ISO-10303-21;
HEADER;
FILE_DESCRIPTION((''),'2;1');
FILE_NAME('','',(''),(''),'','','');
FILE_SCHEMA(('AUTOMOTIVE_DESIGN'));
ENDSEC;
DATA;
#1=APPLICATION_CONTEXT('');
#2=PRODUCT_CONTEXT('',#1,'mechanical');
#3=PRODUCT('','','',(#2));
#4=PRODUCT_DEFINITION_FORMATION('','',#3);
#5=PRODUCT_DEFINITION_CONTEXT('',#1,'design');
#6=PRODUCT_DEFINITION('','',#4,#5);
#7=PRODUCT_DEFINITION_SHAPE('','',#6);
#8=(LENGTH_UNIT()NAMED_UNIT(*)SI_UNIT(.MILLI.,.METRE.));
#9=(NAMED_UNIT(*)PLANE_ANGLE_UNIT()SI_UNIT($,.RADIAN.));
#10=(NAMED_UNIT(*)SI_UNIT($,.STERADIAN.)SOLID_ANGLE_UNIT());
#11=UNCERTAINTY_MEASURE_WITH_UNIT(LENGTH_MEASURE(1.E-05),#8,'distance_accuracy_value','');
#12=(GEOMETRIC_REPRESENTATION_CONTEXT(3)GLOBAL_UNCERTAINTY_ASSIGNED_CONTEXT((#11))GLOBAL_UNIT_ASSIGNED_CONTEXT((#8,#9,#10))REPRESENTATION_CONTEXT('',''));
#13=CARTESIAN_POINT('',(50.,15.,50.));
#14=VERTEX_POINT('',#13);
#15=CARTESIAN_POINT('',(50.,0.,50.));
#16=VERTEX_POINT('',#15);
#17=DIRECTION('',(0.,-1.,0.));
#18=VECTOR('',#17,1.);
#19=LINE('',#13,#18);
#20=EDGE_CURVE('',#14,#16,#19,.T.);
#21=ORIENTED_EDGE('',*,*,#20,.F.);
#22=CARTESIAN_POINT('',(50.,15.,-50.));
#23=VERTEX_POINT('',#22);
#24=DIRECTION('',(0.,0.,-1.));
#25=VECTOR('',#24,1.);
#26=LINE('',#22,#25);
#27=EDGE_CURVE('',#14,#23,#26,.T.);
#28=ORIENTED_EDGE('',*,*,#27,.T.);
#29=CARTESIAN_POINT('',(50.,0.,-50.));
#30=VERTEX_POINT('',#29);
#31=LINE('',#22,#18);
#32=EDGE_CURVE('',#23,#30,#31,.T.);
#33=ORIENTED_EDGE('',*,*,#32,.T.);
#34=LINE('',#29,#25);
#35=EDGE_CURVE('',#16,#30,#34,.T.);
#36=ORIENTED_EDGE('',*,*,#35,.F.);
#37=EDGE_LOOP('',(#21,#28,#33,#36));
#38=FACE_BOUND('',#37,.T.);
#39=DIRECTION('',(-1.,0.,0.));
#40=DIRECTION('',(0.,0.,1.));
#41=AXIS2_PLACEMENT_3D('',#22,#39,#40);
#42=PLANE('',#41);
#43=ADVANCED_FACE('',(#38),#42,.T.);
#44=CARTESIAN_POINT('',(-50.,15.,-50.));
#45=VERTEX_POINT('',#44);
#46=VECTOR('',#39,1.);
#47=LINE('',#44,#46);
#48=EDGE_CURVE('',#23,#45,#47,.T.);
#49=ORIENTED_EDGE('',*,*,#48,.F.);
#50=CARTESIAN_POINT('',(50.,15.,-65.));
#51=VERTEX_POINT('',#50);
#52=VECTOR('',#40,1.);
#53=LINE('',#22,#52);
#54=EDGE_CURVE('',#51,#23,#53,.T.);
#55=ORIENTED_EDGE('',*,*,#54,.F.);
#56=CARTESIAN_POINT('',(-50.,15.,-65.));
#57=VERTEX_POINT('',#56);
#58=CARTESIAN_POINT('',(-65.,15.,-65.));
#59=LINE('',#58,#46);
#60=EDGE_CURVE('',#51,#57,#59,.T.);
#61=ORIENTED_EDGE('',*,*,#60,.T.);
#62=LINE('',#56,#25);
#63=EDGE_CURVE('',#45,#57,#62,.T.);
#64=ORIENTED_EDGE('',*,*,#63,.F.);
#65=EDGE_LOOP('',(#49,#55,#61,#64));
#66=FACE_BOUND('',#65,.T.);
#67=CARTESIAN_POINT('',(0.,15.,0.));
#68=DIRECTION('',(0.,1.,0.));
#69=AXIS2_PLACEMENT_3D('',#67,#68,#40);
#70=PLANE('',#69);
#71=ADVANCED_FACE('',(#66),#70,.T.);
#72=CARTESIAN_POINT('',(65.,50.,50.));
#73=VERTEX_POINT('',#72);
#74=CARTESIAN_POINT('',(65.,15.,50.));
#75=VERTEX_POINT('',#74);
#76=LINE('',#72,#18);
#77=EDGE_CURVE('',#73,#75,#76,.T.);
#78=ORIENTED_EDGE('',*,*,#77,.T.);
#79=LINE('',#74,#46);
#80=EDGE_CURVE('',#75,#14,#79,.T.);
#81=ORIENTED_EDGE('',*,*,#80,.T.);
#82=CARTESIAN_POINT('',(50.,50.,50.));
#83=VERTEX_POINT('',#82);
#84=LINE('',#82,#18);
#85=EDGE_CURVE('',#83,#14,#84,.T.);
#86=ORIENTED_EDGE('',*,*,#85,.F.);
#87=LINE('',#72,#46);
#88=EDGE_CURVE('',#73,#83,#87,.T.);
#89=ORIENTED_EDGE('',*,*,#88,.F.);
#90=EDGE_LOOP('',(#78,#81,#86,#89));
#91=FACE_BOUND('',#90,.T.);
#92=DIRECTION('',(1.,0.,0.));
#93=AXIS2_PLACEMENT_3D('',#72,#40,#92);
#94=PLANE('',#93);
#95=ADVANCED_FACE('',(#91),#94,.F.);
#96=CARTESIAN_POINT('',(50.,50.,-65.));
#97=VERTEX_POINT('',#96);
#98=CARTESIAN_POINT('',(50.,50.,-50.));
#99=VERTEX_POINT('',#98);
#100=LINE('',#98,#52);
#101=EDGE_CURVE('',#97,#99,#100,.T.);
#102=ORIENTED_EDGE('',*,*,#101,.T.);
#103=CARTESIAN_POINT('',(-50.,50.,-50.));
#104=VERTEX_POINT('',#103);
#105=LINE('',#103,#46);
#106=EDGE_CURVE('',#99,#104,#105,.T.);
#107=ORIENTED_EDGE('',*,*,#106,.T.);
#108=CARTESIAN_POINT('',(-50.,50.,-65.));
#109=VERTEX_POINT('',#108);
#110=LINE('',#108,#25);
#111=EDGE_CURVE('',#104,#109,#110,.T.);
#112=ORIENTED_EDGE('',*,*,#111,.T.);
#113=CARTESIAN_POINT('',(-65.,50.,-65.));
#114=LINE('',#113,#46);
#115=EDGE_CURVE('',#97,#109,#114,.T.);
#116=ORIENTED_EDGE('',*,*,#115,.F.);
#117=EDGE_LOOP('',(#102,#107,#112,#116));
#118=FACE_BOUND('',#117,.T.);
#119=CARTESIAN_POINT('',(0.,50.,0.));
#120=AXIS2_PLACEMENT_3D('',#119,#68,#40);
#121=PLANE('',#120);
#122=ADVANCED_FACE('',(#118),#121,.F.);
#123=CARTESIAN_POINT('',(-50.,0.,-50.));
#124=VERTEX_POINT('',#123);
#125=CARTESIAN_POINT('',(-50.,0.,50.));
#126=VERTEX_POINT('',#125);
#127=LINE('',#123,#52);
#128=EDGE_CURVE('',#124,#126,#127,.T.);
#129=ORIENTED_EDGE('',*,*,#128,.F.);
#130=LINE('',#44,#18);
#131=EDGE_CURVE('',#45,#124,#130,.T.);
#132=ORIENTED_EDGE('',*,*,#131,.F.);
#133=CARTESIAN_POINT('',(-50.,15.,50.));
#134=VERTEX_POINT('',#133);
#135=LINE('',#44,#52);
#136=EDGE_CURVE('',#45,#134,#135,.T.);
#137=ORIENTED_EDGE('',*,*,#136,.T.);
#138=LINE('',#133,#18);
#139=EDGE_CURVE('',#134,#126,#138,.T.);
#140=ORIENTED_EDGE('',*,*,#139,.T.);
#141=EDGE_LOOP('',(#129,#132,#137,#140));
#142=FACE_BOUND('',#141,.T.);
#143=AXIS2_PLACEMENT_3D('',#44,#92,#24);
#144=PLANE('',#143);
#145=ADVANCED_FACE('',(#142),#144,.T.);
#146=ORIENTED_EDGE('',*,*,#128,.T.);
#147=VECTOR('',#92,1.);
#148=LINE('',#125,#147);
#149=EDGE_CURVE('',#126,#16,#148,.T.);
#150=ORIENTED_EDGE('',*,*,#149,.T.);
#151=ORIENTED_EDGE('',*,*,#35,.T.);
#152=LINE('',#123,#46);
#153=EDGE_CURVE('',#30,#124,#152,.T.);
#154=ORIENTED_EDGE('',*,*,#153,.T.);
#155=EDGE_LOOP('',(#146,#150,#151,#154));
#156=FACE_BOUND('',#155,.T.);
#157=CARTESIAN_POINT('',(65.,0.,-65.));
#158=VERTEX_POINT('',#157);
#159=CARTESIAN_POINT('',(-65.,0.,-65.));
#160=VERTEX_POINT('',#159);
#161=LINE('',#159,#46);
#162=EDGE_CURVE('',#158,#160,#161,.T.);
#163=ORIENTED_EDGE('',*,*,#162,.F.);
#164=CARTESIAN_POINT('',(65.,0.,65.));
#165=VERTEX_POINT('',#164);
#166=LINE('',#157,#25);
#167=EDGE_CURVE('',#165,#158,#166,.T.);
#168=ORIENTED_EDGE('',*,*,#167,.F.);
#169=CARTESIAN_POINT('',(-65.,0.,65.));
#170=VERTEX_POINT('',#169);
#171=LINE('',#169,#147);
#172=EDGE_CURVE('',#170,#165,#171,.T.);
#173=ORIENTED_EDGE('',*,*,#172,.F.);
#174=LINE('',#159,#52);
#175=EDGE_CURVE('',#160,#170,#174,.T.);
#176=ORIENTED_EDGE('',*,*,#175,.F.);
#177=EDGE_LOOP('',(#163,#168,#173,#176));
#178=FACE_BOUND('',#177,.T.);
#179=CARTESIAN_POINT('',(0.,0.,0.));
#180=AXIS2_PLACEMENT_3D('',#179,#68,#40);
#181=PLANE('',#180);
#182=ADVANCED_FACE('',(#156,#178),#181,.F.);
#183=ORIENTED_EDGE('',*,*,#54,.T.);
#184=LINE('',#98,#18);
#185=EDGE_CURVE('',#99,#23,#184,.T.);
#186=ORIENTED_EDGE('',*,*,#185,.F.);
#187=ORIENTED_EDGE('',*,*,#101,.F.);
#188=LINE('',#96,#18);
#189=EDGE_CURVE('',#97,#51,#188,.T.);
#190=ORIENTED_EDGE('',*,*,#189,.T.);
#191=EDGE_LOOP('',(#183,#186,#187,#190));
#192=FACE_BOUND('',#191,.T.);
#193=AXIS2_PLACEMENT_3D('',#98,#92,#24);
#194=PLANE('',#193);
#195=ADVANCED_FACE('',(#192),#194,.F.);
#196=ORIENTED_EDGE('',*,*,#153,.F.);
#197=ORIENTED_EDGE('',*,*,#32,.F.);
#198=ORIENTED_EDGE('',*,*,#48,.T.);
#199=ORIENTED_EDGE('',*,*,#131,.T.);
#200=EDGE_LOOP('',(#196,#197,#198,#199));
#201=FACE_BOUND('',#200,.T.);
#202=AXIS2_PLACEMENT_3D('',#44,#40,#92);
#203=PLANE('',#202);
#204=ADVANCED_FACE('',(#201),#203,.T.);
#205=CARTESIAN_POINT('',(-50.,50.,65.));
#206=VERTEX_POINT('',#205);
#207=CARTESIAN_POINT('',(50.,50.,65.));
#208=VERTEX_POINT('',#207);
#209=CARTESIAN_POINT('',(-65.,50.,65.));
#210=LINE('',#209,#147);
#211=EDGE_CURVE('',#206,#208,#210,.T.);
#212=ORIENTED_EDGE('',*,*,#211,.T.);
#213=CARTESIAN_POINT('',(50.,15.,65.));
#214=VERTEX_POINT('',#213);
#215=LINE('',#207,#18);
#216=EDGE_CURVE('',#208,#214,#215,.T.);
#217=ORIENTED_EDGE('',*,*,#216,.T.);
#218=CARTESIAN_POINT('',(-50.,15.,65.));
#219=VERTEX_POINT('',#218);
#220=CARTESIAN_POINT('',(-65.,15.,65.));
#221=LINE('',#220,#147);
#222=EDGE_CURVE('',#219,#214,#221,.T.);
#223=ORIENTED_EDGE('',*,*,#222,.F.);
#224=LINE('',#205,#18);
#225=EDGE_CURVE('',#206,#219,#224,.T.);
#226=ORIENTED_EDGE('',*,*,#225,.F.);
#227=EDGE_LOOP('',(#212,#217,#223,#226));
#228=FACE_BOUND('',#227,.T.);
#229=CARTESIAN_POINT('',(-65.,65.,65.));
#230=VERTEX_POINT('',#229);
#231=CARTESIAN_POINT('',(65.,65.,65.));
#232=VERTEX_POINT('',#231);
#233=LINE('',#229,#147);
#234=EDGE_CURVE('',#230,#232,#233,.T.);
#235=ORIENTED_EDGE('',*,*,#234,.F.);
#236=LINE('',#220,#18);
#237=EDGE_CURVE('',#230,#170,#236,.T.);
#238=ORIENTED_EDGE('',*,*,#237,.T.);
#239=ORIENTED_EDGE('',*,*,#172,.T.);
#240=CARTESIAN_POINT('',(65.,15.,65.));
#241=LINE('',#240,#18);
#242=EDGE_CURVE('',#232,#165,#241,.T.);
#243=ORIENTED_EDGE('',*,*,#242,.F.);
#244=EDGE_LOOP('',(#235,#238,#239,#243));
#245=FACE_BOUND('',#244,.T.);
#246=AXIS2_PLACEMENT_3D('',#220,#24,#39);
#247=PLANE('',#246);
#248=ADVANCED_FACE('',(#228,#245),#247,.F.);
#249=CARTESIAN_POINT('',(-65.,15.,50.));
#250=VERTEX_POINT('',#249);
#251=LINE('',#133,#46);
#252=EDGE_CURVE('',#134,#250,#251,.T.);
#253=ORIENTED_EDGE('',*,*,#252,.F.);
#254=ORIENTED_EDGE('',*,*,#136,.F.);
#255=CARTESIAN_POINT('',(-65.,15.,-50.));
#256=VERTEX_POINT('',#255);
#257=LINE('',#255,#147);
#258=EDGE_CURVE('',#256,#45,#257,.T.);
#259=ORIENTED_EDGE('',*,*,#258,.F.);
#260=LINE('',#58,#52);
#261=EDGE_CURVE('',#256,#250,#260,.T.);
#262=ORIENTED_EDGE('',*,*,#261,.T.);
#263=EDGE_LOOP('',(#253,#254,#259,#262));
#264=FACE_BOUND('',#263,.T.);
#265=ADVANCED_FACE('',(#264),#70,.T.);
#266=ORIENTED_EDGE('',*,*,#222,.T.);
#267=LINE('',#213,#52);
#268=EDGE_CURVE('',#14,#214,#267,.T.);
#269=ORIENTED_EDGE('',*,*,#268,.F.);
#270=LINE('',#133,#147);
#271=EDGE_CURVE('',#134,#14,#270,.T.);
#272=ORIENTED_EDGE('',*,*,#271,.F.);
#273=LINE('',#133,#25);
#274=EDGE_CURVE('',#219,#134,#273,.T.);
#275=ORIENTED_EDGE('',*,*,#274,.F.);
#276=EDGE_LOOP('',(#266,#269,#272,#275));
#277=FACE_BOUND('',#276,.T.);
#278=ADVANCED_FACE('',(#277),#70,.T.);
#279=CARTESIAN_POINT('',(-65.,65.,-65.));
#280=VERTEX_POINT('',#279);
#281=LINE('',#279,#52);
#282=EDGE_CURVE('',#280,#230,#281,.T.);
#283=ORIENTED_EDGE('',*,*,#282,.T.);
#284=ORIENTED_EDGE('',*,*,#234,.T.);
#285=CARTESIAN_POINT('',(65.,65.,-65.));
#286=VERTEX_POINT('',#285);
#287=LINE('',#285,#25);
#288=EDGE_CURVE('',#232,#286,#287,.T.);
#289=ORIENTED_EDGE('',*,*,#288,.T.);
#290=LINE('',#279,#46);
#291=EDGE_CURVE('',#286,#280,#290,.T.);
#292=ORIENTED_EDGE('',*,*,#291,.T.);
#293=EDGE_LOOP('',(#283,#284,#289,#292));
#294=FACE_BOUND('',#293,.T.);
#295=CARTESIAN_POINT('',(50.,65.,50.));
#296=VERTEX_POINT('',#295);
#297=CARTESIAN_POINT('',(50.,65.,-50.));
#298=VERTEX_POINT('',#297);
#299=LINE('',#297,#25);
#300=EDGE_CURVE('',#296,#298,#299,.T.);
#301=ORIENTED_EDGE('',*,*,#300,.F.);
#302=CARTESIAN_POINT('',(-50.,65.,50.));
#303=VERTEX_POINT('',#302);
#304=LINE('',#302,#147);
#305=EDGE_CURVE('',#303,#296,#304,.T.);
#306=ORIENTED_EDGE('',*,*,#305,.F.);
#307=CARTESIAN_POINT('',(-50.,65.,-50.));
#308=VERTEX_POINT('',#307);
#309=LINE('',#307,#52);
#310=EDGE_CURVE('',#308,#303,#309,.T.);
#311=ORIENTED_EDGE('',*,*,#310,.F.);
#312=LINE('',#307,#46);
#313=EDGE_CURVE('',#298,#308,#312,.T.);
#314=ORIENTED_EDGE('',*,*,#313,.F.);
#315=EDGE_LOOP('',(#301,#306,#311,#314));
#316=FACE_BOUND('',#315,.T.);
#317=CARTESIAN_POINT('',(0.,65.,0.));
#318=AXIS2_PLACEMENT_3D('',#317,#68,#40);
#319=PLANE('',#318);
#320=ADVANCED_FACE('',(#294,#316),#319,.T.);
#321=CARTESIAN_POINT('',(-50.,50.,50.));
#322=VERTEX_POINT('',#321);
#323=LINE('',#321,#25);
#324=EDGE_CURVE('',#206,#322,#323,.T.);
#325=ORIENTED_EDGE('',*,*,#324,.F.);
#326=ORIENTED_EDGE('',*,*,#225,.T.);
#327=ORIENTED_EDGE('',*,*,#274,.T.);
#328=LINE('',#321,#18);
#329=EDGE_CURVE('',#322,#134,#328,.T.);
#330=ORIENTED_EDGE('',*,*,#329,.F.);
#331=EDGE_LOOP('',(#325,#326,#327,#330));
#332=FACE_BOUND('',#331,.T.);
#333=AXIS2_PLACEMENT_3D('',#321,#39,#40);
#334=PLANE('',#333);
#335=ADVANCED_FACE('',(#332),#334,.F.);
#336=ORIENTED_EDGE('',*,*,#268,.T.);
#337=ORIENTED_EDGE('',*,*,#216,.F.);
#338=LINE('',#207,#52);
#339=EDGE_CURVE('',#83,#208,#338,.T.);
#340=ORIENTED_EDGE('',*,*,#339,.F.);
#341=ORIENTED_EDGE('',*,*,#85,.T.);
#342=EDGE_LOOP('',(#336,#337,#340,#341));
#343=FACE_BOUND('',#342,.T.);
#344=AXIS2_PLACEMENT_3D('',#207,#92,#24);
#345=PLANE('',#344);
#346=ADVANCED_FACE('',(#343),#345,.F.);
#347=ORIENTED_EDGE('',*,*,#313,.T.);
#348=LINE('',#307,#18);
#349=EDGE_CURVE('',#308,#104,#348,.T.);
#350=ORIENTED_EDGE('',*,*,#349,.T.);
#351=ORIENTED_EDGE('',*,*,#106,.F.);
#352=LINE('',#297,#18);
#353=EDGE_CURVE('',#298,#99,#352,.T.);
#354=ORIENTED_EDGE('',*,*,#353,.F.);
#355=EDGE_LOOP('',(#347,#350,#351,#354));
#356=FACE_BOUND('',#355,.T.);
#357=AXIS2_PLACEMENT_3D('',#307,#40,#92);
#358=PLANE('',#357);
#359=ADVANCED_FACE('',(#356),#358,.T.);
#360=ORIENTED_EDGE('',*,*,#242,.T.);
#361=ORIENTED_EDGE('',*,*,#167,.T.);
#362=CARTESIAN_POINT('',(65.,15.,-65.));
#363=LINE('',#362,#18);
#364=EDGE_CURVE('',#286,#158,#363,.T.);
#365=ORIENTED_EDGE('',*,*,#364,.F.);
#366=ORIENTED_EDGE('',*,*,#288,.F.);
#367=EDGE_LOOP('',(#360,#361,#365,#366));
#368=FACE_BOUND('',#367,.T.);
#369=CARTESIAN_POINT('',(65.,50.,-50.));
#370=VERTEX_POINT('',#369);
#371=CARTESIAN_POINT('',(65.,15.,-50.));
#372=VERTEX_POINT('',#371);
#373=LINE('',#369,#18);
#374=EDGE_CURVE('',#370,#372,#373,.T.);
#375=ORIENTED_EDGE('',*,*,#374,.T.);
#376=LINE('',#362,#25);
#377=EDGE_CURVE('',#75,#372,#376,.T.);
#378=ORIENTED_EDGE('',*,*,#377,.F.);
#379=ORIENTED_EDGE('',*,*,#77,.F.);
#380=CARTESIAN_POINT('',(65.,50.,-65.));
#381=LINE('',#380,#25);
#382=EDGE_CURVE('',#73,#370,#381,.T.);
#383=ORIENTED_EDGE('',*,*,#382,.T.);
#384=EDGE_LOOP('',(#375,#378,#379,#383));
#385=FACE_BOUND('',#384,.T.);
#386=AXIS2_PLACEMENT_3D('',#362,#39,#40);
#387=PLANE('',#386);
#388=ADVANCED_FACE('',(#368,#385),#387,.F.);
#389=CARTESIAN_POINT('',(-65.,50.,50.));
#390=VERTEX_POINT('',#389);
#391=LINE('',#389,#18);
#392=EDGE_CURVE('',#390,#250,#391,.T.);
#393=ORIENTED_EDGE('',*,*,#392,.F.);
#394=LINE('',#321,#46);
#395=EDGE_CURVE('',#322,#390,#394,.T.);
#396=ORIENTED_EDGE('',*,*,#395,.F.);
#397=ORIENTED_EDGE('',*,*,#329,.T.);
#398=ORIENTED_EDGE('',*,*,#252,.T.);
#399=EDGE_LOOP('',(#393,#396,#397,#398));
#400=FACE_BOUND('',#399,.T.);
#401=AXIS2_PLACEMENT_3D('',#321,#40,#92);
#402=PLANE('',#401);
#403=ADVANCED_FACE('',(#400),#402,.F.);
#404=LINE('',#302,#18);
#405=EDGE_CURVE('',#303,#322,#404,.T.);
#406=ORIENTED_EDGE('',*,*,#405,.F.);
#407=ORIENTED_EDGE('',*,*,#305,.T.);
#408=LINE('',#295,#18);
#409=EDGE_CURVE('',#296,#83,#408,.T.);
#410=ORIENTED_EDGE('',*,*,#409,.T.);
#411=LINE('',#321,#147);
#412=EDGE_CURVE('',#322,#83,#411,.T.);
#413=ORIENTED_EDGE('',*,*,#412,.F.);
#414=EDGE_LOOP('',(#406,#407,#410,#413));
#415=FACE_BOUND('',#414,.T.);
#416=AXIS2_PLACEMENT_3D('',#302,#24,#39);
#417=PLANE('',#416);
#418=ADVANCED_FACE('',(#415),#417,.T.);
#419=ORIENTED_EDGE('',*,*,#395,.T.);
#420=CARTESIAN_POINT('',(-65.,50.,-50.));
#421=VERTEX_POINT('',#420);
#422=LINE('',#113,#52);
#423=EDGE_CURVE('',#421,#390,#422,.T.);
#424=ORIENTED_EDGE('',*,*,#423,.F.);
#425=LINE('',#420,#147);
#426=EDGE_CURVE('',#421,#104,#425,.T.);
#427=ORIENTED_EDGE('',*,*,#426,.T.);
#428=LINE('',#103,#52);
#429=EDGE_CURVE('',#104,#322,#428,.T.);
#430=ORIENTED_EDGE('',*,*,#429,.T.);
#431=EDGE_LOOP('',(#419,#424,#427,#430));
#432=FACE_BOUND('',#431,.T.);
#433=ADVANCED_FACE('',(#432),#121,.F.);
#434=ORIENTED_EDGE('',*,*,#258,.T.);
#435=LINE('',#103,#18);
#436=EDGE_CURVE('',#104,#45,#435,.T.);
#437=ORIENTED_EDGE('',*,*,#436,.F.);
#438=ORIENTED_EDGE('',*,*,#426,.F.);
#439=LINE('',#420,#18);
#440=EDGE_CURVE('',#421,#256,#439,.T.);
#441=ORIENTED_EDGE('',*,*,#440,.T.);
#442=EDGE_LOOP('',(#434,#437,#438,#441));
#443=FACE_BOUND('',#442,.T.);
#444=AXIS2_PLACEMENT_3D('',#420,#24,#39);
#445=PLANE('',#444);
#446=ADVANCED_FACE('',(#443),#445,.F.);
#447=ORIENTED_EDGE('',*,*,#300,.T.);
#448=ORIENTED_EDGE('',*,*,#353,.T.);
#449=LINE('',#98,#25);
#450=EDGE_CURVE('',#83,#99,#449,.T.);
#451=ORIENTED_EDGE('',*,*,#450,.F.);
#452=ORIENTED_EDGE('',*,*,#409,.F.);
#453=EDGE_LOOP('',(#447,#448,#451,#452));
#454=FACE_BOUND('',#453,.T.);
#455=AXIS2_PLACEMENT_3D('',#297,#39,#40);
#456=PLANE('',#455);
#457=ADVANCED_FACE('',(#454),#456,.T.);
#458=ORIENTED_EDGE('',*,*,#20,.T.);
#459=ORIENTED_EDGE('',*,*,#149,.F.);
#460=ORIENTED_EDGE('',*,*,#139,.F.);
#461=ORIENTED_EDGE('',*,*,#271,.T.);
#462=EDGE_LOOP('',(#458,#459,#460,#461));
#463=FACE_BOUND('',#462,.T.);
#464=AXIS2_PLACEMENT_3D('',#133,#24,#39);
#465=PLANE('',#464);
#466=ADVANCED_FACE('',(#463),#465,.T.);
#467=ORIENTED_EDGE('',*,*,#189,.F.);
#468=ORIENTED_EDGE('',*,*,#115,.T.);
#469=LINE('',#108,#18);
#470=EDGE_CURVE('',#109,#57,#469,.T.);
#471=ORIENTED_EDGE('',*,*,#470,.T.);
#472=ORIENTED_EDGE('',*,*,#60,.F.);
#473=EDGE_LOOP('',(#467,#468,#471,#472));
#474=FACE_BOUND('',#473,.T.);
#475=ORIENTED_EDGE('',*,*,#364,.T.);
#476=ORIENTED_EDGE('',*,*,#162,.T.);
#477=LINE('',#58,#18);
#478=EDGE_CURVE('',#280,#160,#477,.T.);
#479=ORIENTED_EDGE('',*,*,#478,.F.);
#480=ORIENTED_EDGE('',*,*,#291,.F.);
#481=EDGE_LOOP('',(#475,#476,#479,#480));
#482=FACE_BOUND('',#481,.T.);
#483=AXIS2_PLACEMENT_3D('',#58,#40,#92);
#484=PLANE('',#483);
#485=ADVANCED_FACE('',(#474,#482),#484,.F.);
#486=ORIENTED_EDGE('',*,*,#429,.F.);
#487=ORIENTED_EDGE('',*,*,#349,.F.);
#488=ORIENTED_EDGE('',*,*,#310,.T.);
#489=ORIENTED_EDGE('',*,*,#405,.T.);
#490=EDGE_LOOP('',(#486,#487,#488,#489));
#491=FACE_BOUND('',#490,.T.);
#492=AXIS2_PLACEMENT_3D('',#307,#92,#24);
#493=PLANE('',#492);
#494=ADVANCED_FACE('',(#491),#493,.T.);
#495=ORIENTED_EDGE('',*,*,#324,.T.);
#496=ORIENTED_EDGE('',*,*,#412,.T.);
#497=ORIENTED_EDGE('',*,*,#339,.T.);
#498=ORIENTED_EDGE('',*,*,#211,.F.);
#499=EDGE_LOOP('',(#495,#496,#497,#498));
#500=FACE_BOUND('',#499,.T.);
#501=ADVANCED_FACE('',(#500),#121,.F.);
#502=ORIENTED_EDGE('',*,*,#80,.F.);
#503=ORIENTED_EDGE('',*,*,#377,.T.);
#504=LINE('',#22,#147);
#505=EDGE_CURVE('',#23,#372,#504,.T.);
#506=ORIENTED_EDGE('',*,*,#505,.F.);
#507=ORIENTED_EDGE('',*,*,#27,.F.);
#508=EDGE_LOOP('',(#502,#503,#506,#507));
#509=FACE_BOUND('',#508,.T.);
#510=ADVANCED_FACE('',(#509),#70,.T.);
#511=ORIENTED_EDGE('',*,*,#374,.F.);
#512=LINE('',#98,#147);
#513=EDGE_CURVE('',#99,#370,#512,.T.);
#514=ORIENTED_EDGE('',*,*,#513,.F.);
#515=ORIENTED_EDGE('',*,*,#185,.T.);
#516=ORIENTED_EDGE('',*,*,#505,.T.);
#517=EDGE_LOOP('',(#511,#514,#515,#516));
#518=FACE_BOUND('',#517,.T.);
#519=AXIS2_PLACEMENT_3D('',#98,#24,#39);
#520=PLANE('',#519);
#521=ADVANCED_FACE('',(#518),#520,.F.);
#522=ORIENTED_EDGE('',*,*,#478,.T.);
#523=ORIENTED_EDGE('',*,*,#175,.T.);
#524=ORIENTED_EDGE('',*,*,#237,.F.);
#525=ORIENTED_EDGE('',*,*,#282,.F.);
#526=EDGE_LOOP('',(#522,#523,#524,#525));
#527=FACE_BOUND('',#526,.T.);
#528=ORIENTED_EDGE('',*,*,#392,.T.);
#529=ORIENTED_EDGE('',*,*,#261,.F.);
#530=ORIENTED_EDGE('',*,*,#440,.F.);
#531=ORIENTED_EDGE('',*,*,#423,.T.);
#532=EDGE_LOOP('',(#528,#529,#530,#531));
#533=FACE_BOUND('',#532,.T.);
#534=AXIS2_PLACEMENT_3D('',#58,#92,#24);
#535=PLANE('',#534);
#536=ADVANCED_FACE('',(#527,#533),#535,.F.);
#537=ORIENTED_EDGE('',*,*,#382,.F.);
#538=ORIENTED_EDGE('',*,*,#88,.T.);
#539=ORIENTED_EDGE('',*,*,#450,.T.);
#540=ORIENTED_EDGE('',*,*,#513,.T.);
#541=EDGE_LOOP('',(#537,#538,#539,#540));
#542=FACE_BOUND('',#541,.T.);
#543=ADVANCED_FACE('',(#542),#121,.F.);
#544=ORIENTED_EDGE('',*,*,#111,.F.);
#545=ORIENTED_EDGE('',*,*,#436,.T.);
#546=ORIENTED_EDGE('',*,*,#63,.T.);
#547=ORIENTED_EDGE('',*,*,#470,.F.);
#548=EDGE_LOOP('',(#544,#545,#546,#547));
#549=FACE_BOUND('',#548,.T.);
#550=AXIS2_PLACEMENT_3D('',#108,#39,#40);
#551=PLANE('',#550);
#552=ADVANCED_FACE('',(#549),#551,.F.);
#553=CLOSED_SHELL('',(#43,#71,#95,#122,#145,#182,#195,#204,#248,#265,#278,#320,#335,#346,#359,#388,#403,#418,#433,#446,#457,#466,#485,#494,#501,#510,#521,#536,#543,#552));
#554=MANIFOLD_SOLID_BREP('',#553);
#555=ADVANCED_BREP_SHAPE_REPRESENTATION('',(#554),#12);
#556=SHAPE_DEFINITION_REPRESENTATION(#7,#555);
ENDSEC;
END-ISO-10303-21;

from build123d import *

# Parameters (mm, degrees)
SKETCH1_W           = 130
SKETCH1_H           = 130
SKETCH1_W_2         = 100
SKETCH1_H_2         = 100
BOSS_EXTRUDE1_DEPTH = 15
SKETCH2_W           = 15
SKETCH2_H           = 15
BOSS_EXTRUDE2_DEPTH = 35
SKETCH3_W           = 130
SKETCH3_H           = 130
SKETCH3_W_2         = 100
SKETCH3_H_2         = 100
BOSS_EXTRUDE3_DEPTH = 15


with BuildPart() as part:
    # Sketch1 → Boss-Extrude1 (new body)
    with BuildSketch(Plane(origin=(0, 0, 0), x_dir=(1, 0, 0), z_dir=(0, 1, 0))):
        Rectangle(SKETCH1_W, SKETCH1_H)
        Rectangle(SKETCH1_W_2, SKETCH1_H_2, mode=Mode.SUBTRACT)
    extrude(amount=BOSS_EXTRUDE1_DEPTH)

    # Sketch2 → Boss-Extrude2 (add)
    with BuildSketch(Plane(origin=(0, 15, 0), x_dir=(1, 0, 0), z_dir=(0, 1, 0))):
        with Locations((-57.5, 57.5)):
            Rectangle(SKETCH2_W, SKETCH2_H)
        with Locations((57.5, 57.5)):
            Rectangle(SKETCH2_W, SKETCH2_H)
        with Locations((57.5, -57.5)):
            Rectangle(SKETCH2_W, SKETCH2_H)
        with Locations((-57.5, -57.5)):
            Rectangle(SKETCH2_W, SKETCH2_H)
    extrude(amount=BOSS_EXTRUDE2_DEPTH)

    # Sketch3 → Boss-Extrude3 (add)
    with BuildSketch(Plane(origin=(0, 50, 0), x_dir=(1, 0, 0), z_dir=(0, 1, 0))):
        Rectangle(SKETCH3_W, SKETCH3_H)
        Rectangle(SKETCH3_W_2, SKETCH3_H_2, mode=Mode.SUBTRACT)
    extrude(amount=BOSS_EXTRUDE3_DEPTH)


solid = part.part
